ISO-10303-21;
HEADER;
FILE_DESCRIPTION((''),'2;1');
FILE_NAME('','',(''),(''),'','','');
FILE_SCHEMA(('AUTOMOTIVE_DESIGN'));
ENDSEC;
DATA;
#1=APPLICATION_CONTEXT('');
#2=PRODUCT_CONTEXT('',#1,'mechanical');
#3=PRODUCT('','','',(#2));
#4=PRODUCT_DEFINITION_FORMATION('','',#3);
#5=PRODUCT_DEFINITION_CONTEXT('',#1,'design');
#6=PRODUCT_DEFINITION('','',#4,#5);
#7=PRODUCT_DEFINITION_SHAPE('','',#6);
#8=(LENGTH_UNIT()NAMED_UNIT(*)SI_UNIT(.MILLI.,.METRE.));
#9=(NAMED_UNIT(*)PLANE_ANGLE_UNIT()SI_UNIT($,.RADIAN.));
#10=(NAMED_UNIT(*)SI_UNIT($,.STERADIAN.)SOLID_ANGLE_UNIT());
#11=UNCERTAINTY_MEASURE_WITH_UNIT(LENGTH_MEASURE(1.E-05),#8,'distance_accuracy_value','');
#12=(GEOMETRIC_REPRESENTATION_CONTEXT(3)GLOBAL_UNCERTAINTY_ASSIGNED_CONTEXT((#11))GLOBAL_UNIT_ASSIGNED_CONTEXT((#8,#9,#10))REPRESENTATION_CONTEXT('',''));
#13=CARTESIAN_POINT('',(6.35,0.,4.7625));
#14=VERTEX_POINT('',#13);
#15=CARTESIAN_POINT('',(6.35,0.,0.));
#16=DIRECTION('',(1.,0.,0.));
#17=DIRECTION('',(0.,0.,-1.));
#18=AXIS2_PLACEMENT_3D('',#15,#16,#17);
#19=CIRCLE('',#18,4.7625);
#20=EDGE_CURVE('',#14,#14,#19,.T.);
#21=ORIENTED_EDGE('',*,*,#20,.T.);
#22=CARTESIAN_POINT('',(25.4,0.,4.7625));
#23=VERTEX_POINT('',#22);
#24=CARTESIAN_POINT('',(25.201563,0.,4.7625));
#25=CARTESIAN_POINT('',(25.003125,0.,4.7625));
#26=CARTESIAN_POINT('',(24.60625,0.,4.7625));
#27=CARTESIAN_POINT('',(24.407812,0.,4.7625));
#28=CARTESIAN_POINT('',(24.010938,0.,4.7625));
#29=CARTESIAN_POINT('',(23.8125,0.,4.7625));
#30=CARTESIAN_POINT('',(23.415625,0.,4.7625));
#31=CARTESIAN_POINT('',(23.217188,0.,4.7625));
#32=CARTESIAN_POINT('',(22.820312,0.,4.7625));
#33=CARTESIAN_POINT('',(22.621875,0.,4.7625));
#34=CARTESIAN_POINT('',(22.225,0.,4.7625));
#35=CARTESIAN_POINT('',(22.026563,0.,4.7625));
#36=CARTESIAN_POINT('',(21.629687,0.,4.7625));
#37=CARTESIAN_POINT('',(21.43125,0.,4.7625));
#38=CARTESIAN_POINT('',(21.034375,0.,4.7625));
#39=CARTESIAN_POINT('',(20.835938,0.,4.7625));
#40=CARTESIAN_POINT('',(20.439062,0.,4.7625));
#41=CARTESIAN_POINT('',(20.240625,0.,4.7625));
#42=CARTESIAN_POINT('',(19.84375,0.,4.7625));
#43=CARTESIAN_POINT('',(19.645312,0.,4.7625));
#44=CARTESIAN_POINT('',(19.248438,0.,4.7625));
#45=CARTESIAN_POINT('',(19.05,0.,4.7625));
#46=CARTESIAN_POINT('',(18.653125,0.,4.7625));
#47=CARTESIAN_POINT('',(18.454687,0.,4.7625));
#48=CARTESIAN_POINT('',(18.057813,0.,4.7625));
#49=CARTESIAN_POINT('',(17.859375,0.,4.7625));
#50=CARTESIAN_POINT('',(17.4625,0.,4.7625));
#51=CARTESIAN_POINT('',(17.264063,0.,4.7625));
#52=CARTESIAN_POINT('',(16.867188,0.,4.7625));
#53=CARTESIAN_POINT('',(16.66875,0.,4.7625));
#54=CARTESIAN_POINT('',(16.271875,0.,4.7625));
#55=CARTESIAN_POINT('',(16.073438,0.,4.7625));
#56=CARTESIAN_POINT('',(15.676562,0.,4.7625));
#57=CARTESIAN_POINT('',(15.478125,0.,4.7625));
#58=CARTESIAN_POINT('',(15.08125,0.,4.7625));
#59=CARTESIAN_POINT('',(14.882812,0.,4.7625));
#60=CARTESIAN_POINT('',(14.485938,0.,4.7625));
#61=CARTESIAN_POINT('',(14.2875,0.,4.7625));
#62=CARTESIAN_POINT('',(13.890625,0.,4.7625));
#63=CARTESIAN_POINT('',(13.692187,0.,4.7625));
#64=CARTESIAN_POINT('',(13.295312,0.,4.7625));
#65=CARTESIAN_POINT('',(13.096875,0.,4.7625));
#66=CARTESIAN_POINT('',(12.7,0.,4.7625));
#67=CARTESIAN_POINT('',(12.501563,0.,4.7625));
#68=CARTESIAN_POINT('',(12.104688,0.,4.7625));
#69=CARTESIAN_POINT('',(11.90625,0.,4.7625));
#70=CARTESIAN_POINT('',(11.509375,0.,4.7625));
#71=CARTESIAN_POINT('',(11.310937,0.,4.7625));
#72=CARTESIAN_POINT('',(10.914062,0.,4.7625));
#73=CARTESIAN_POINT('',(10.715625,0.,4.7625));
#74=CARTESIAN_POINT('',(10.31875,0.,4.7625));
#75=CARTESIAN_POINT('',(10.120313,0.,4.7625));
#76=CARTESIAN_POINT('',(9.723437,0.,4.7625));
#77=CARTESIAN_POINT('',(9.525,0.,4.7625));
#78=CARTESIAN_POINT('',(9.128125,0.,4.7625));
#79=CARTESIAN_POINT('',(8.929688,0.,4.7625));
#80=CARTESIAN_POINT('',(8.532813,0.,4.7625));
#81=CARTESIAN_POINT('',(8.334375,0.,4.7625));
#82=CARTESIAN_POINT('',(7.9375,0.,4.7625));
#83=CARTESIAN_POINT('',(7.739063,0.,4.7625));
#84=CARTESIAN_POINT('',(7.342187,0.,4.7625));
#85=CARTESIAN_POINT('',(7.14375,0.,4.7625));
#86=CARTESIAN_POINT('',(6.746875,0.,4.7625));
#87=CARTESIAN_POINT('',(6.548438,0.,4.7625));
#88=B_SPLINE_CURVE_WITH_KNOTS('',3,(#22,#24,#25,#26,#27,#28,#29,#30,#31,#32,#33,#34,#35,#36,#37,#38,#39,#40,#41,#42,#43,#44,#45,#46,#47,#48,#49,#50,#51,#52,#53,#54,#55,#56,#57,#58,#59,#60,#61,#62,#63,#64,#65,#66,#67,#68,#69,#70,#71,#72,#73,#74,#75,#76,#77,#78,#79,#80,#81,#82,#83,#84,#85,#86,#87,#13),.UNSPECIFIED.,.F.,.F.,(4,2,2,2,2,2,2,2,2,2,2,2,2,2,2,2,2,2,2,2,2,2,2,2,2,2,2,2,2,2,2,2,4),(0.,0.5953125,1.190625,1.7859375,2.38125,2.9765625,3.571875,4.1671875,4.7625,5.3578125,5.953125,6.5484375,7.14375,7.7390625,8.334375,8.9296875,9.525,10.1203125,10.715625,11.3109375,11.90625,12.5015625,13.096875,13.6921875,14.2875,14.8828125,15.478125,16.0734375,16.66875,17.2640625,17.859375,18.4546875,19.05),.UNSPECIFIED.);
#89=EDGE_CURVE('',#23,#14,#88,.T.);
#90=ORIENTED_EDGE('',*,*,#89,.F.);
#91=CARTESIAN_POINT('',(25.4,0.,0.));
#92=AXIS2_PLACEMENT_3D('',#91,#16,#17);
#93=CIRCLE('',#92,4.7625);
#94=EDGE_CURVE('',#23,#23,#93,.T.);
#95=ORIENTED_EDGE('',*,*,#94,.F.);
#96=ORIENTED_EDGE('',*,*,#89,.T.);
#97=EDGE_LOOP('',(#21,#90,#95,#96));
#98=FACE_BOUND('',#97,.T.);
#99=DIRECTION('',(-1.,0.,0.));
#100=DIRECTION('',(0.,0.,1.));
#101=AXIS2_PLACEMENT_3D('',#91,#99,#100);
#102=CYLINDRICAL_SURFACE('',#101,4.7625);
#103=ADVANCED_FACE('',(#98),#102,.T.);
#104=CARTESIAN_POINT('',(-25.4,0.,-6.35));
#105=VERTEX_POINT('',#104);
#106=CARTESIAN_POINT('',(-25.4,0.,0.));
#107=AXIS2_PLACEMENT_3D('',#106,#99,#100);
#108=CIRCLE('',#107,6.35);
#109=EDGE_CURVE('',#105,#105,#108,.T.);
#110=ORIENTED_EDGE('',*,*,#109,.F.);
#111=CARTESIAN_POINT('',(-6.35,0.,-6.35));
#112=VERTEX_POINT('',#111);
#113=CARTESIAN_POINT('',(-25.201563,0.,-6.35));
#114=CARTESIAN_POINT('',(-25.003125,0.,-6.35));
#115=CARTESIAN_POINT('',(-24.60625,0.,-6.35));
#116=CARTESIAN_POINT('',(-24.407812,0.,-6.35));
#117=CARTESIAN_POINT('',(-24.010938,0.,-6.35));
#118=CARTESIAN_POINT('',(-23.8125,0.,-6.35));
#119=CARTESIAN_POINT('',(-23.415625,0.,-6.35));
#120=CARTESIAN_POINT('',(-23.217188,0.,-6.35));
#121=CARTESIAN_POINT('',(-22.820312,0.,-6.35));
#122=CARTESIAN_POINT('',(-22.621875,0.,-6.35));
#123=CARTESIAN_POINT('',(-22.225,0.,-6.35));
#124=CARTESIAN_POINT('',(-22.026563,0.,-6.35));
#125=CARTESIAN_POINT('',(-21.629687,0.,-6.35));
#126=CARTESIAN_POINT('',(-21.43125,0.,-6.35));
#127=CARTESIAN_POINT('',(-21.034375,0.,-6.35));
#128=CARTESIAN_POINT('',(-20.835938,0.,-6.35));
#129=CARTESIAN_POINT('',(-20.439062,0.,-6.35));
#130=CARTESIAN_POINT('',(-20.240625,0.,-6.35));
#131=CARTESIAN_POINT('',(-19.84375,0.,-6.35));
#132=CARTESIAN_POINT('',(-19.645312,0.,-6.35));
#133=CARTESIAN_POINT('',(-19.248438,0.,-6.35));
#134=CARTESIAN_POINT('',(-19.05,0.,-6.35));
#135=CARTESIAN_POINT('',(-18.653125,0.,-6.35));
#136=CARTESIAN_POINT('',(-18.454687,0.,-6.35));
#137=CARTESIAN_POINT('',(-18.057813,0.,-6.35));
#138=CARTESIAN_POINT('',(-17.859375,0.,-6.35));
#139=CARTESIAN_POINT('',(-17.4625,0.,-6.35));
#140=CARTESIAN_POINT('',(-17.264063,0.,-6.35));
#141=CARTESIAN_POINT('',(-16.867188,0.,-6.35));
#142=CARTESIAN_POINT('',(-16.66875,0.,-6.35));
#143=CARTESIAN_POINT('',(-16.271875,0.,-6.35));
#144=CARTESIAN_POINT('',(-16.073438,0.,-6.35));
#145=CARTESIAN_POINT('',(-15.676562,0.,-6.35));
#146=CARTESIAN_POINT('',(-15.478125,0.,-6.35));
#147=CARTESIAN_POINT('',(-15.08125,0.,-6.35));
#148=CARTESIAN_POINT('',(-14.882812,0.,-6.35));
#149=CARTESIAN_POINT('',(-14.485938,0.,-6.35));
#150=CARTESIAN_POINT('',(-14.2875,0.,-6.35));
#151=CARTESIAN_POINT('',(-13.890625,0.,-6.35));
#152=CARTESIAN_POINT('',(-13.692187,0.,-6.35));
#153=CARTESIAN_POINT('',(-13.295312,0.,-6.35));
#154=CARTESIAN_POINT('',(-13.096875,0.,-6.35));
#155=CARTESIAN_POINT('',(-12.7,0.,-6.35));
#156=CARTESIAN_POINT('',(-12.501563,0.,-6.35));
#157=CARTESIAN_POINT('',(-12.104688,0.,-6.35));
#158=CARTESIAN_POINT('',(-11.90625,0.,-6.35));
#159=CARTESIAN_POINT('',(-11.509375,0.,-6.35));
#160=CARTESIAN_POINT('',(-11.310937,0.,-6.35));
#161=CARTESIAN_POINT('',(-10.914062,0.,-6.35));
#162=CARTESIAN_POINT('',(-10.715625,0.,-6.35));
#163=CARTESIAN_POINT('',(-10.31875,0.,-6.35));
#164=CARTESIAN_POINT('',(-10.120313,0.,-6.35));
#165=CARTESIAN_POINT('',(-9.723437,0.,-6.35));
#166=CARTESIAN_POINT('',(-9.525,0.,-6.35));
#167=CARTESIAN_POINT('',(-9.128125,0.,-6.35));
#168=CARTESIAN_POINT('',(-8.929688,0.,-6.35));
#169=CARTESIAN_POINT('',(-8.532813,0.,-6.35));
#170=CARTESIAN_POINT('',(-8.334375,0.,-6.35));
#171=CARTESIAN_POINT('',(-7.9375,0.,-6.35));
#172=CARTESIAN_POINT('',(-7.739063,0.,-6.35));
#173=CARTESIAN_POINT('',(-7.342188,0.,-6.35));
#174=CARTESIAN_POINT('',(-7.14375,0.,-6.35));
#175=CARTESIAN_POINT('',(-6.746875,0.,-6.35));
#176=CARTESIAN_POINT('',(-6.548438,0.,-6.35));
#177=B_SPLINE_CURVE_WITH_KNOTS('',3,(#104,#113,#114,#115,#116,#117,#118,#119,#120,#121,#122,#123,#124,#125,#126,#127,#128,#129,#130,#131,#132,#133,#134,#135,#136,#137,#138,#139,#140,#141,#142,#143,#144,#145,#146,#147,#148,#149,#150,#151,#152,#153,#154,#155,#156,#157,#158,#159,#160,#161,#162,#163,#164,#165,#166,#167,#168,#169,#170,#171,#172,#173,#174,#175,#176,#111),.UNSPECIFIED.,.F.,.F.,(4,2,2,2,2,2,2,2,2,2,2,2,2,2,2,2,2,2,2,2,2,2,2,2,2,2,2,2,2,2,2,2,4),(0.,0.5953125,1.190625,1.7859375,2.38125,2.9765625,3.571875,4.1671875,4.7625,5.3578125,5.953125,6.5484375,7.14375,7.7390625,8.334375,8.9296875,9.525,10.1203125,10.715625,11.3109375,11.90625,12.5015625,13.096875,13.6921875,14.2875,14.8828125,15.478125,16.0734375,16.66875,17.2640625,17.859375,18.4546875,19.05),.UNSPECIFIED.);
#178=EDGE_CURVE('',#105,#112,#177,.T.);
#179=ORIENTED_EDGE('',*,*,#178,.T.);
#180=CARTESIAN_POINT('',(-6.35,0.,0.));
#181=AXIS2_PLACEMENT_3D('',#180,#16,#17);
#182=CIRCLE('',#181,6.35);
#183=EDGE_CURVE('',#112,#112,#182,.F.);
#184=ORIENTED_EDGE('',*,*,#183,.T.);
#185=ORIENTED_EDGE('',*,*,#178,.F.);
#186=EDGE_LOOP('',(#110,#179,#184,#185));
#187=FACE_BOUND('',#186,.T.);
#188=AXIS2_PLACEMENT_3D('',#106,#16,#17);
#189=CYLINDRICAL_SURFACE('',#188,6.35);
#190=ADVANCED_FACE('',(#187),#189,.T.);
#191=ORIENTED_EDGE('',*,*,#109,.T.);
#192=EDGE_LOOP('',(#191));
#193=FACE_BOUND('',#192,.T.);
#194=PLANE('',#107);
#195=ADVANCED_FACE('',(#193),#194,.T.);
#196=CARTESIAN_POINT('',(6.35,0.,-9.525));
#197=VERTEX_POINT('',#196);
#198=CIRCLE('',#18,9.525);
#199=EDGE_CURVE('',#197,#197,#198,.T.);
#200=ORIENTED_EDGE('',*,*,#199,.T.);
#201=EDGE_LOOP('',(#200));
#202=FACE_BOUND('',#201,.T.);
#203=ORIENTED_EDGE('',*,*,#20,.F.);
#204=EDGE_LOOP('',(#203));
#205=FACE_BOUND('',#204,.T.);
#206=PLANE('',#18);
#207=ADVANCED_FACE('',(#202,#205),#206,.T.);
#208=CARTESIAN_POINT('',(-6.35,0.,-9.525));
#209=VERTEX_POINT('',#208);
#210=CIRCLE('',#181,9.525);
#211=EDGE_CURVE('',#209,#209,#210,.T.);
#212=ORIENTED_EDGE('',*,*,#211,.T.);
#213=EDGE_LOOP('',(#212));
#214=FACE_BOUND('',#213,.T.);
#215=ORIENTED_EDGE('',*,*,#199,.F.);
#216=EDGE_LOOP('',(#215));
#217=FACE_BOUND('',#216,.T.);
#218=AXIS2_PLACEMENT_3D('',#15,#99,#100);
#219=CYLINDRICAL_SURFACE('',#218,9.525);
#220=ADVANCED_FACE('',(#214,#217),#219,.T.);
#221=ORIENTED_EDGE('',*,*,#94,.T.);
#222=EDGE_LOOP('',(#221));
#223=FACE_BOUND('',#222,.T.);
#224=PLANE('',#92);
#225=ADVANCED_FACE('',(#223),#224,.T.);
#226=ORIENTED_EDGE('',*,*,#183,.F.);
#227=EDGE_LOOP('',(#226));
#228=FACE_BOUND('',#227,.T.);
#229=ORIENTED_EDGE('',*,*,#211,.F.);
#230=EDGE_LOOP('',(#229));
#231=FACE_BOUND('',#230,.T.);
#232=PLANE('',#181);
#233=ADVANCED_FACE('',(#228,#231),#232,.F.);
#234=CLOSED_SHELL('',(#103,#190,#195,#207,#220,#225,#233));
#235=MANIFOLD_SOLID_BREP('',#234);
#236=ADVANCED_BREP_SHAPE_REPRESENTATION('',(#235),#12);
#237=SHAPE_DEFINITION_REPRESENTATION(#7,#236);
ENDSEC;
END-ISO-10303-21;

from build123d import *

# Parameters (mm, degrees)
SKETCH1_R           = 9.525
BOSS_EXTRUDE1_DEPTH = 6.35
SKETCH2_R           = 4.7625
BOSS_EXTRUDE2_DEPTH = 19.05
SKETCH3_R           = 6.35
BOSS_EXTRUDE3_DEPTH = 19.05


with BuildPart() as part:
    # Sketch1 → Boss-Extrude1 (new, symmetric)
    with BuildSketch(Plane(origin=(0, 0, 0), x_dir=(0, 0, -1), z_dir=(1, 0, 0))):
        Circle(SKETCH1_R)
    extrude(amount=BOSS_EXTRUDE1_DEPTH, both=True)

    # Sketch2 → Boss-Extrude2 (add)
    with BuildSketch(Plane(origin=(6.35, 0, 0), x_dir=(0, 0, -1), z_dir=(1, 0, 0))):
        with Locations(Location((0, 0, 0), (0, 0, 180))):
            Circle(SKETCH2_R)
    extrude(amount=BOSS_EXTRUDE2_DEPTH)

    # Sketch3 → Boss-Extrude3 (add)
    with BuildSketch(Plane.ZY.offset(6.35)):
        with Locations(Location((0, 0, 0), (0, 0, 180))):
            Circle(SKETCH3_R)
    extrude(amount=BOSS_EXTRUDE3_DEPTH)


solid = part.part
